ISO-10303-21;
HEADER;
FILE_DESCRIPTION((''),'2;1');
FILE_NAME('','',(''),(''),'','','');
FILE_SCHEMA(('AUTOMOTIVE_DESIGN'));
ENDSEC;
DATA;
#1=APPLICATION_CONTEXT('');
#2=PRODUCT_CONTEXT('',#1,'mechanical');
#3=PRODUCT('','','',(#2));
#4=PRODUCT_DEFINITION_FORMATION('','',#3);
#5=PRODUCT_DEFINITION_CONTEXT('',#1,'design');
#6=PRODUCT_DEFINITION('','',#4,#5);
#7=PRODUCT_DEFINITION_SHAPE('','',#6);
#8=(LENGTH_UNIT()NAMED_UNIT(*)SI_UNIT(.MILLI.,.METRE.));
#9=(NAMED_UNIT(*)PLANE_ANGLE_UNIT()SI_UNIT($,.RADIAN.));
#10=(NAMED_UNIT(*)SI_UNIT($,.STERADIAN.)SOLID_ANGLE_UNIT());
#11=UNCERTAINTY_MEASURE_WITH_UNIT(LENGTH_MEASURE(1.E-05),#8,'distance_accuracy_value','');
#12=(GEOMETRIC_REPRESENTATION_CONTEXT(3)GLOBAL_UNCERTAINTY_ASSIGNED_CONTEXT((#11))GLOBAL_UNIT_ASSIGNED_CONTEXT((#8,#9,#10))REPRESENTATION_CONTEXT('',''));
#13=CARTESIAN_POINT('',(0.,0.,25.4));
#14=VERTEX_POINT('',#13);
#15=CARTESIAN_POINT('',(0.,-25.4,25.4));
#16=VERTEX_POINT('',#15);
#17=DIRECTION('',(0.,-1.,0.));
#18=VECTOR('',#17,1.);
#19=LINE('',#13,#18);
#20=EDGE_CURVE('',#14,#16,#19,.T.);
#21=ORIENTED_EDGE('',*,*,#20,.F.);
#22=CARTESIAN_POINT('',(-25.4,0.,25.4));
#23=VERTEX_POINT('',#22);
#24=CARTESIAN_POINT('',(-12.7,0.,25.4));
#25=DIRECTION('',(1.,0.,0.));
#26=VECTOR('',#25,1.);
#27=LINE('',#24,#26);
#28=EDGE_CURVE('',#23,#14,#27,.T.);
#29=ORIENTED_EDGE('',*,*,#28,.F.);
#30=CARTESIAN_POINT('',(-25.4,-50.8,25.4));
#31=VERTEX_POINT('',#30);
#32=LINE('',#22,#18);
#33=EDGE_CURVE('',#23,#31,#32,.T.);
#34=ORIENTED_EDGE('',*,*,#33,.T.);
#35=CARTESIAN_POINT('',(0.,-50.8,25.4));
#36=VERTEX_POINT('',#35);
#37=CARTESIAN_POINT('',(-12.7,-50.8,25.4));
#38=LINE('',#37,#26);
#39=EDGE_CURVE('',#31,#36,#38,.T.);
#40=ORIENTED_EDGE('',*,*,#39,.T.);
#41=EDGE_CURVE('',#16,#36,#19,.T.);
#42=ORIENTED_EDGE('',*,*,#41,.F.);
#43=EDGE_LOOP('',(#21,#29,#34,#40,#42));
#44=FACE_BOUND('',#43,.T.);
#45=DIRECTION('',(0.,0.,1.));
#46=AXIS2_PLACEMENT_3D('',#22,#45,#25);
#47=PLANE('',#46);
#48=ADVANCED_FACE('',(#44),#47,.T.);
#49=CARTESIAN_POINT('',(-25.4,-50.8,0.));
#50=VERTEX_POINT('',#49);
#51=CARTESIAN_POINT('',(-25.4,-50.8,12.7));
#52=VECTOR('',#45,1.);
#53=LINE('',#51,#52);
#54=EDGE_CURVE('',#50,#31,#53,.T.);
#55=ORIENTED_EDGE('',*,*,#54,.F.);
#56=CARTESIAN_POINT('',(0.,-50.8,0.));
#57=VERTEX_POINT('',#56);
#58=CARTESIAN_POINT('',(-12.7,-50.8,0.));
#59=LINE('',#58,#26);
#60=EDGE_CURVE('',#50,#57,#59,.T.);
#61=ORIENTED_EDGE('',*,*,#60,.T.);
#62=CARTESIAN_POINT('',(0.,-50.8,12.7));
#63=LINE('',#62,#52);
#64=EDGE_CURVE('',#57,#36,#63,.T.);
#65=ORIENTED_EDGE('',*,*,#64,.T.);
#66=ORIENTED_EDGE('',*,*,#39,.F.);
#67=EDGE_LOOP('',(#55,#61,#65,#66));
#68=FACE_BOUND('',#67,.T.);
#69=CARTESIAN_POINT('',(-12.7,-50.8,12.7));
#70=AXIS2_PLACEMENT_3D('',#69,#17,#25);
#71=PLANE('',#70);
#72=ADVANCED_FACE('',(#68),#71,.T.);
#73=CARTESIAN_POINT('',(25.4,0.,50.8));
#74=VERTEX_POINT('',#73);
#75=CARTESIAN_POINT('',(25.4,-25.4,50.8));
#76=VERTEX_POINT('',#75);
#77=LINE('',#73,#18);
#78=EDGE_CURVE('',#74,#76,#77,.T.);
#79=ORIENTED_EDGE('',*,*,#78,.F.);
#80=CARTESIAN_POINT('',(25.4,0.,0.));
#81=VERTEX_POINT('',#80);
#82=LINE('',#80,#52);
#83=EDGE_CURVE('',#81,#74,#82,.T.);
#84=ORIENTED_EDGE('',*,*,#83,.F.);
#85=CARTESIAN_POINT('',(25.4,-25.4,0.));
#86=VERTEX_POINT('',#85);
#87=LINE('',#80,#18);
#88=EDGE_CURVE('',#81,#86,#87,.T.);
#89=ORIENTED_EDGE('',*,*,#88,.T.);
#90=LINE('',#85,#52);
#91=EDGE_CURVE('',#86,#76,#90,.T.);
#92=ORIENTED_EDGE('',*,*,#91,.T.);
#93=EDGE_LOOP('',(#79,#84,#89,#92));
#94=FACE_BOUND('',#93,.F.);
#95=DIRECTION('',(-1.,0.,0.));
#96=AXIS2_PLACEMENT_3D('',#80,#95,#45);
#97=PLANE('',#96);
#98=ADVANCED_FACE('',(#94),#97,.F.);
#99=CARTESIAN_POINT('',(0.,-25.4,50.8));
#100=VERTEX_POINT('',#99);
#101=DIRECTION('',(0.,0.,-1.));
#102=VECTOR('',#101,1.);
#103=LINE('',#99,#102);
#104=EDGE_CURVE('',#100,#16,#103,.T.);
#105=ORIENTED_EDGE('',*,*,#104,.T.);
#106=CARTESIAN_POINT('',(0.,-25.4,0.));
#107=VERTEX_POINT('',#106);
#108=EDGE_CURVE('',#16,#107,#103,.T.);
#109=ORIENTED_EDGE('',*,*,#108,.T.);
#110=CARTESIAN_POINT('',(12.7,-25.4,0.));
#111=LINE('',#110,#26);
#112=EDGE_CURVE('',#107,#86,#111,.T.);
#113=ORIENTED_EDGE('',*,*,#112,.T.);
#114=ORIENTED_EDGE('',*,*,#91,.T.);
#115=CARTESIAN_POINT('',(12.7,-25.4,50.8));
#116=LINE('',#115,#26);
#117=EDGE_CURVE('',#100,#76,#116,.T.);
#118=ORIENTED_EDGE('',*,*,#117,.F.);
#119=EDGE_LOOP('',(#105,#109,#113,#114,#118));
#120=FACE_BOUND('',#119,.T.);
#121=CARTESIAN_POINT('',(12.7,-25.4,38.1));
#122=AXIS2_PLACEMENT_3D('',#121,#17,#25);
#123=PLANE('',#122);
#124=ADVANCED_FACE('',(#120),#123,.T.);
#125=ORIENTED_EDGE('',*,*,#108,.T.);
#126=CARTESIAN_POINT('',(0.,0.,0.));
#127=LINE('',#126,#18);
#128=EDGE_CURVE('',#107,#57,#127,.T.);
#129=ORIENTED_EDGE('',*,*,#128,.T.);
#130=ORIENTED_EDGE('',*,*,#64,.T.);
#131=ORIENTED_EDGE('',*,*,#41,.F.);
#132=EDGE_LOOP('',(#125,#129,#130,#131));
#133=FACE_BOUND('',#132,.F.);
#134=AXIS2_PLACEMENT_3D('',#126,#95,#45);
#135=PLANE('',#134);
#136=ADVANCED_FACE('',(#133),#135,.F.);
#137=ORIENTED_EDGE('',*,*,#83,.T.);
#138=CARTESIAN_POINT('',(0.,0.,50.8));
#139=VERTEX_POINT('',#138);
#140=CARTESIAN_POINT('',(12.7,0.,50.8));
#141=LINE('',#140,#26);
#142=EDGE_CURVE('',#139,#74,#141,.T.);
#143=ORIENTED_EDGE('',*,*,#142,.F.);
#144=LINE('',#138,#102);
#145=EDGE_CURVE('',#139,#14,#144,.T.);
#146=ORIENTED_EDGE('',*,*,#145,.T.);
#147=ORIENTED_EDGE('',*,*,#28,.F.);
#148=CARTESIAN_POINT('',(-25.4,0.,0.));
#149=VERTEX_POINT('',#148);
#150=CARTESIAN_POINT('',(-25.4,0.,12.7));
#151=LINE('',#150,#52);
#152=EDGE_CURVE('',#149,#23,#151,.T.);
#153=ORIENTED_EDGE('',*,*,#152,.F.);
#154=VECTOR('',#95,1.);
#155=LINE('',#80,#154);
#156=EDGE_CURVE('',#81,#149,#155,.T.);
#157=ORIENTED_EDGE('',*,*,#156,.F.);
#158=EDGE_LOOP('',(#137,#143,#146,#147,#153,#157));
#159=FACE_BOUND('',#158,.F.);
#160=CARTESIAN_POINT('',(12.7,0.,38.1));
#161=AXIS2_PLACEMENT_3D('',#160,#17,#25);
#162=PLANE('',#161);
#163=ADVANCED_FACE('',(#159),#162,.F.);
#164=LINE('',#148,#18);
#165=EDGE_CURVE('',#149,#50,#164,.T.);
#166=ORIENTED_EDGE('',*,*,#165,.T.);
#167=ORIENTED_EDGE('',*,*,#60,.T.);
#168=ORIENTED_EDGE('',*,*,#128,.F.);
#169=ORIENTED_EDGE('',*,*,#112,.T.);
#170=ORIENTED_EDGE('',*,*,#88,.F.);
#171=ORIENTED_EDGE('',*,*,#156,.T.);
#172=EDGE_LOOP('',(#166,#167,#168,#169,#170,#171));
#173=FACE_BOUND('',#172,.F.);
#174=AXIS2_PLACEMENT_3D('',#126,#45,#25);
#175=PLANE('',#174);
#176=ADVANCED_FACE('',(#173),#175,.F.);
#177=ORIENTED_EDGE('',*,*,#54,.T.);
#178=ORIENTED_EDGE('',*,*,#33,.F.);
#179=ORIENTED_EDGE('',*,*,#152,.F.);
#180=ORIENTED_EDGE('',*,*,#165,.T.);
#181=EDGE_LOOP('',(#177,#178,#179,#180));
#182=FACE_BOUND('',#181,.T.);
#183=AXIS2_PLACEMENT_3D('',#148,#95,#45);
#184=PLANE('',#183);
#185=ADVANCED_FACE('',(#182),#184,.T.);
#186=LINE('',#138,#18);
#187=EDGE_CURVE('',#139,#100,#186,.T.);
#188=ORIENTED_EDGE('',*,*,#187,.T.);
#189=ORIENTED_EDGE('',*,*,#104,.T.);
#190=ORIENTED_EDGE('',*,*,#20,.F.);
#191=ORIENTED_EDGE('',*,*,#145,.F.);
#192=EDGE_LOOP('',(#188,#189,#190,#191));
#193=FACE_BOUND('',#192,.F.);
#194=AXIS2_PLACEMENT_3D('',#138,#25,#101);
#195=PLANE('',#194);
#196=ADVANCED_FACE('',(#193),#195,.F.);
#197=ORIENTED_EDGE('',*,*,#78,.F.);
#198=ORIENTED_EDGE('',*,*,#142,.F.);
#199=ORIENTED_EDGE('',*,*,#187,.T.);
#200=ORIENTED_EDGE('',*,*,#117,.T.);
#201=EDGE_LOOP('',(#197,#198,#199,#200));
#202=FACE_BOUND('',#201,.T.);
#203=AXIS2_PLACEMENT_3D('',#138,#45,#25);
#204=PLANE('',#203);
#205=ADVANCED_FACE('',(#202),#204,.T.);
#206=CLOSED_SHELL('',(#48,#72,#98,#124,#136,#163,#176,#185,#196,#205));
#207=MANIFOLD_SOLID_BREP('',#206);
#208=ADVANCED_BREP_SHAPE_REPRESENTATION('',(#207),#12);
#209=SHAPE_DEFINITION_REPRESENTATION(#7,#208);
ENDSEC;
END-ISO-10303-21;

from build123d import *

# Parameters (mm, degrees)
F0_W     = 25.4
F0_H     = 25.4
F1_DEPTH = 50.8
F2_DEPTH = 25.4


with BuildPart() as f1:
    # F0 (on Front) → F1 (new body)
    with BuildSketch(Plane.XZ):
        with Locations((-12.7, 12.7)):
            Rectangle(F0_W, F0_H)
    extrude(amount=F1_DEPTH)

    # F0 (on Front) → F2 (join)
    with BuildSketch(Plane.XZ):
        with Locations((12.7, 38.1)):
            Rectangle(F0_W, F0_H)
        with Locations((12.7, 12.7)):
            Rectangle(F0_W, F0_H)
    extrude(amount=F2_DEPTH)


solid = f1.part
